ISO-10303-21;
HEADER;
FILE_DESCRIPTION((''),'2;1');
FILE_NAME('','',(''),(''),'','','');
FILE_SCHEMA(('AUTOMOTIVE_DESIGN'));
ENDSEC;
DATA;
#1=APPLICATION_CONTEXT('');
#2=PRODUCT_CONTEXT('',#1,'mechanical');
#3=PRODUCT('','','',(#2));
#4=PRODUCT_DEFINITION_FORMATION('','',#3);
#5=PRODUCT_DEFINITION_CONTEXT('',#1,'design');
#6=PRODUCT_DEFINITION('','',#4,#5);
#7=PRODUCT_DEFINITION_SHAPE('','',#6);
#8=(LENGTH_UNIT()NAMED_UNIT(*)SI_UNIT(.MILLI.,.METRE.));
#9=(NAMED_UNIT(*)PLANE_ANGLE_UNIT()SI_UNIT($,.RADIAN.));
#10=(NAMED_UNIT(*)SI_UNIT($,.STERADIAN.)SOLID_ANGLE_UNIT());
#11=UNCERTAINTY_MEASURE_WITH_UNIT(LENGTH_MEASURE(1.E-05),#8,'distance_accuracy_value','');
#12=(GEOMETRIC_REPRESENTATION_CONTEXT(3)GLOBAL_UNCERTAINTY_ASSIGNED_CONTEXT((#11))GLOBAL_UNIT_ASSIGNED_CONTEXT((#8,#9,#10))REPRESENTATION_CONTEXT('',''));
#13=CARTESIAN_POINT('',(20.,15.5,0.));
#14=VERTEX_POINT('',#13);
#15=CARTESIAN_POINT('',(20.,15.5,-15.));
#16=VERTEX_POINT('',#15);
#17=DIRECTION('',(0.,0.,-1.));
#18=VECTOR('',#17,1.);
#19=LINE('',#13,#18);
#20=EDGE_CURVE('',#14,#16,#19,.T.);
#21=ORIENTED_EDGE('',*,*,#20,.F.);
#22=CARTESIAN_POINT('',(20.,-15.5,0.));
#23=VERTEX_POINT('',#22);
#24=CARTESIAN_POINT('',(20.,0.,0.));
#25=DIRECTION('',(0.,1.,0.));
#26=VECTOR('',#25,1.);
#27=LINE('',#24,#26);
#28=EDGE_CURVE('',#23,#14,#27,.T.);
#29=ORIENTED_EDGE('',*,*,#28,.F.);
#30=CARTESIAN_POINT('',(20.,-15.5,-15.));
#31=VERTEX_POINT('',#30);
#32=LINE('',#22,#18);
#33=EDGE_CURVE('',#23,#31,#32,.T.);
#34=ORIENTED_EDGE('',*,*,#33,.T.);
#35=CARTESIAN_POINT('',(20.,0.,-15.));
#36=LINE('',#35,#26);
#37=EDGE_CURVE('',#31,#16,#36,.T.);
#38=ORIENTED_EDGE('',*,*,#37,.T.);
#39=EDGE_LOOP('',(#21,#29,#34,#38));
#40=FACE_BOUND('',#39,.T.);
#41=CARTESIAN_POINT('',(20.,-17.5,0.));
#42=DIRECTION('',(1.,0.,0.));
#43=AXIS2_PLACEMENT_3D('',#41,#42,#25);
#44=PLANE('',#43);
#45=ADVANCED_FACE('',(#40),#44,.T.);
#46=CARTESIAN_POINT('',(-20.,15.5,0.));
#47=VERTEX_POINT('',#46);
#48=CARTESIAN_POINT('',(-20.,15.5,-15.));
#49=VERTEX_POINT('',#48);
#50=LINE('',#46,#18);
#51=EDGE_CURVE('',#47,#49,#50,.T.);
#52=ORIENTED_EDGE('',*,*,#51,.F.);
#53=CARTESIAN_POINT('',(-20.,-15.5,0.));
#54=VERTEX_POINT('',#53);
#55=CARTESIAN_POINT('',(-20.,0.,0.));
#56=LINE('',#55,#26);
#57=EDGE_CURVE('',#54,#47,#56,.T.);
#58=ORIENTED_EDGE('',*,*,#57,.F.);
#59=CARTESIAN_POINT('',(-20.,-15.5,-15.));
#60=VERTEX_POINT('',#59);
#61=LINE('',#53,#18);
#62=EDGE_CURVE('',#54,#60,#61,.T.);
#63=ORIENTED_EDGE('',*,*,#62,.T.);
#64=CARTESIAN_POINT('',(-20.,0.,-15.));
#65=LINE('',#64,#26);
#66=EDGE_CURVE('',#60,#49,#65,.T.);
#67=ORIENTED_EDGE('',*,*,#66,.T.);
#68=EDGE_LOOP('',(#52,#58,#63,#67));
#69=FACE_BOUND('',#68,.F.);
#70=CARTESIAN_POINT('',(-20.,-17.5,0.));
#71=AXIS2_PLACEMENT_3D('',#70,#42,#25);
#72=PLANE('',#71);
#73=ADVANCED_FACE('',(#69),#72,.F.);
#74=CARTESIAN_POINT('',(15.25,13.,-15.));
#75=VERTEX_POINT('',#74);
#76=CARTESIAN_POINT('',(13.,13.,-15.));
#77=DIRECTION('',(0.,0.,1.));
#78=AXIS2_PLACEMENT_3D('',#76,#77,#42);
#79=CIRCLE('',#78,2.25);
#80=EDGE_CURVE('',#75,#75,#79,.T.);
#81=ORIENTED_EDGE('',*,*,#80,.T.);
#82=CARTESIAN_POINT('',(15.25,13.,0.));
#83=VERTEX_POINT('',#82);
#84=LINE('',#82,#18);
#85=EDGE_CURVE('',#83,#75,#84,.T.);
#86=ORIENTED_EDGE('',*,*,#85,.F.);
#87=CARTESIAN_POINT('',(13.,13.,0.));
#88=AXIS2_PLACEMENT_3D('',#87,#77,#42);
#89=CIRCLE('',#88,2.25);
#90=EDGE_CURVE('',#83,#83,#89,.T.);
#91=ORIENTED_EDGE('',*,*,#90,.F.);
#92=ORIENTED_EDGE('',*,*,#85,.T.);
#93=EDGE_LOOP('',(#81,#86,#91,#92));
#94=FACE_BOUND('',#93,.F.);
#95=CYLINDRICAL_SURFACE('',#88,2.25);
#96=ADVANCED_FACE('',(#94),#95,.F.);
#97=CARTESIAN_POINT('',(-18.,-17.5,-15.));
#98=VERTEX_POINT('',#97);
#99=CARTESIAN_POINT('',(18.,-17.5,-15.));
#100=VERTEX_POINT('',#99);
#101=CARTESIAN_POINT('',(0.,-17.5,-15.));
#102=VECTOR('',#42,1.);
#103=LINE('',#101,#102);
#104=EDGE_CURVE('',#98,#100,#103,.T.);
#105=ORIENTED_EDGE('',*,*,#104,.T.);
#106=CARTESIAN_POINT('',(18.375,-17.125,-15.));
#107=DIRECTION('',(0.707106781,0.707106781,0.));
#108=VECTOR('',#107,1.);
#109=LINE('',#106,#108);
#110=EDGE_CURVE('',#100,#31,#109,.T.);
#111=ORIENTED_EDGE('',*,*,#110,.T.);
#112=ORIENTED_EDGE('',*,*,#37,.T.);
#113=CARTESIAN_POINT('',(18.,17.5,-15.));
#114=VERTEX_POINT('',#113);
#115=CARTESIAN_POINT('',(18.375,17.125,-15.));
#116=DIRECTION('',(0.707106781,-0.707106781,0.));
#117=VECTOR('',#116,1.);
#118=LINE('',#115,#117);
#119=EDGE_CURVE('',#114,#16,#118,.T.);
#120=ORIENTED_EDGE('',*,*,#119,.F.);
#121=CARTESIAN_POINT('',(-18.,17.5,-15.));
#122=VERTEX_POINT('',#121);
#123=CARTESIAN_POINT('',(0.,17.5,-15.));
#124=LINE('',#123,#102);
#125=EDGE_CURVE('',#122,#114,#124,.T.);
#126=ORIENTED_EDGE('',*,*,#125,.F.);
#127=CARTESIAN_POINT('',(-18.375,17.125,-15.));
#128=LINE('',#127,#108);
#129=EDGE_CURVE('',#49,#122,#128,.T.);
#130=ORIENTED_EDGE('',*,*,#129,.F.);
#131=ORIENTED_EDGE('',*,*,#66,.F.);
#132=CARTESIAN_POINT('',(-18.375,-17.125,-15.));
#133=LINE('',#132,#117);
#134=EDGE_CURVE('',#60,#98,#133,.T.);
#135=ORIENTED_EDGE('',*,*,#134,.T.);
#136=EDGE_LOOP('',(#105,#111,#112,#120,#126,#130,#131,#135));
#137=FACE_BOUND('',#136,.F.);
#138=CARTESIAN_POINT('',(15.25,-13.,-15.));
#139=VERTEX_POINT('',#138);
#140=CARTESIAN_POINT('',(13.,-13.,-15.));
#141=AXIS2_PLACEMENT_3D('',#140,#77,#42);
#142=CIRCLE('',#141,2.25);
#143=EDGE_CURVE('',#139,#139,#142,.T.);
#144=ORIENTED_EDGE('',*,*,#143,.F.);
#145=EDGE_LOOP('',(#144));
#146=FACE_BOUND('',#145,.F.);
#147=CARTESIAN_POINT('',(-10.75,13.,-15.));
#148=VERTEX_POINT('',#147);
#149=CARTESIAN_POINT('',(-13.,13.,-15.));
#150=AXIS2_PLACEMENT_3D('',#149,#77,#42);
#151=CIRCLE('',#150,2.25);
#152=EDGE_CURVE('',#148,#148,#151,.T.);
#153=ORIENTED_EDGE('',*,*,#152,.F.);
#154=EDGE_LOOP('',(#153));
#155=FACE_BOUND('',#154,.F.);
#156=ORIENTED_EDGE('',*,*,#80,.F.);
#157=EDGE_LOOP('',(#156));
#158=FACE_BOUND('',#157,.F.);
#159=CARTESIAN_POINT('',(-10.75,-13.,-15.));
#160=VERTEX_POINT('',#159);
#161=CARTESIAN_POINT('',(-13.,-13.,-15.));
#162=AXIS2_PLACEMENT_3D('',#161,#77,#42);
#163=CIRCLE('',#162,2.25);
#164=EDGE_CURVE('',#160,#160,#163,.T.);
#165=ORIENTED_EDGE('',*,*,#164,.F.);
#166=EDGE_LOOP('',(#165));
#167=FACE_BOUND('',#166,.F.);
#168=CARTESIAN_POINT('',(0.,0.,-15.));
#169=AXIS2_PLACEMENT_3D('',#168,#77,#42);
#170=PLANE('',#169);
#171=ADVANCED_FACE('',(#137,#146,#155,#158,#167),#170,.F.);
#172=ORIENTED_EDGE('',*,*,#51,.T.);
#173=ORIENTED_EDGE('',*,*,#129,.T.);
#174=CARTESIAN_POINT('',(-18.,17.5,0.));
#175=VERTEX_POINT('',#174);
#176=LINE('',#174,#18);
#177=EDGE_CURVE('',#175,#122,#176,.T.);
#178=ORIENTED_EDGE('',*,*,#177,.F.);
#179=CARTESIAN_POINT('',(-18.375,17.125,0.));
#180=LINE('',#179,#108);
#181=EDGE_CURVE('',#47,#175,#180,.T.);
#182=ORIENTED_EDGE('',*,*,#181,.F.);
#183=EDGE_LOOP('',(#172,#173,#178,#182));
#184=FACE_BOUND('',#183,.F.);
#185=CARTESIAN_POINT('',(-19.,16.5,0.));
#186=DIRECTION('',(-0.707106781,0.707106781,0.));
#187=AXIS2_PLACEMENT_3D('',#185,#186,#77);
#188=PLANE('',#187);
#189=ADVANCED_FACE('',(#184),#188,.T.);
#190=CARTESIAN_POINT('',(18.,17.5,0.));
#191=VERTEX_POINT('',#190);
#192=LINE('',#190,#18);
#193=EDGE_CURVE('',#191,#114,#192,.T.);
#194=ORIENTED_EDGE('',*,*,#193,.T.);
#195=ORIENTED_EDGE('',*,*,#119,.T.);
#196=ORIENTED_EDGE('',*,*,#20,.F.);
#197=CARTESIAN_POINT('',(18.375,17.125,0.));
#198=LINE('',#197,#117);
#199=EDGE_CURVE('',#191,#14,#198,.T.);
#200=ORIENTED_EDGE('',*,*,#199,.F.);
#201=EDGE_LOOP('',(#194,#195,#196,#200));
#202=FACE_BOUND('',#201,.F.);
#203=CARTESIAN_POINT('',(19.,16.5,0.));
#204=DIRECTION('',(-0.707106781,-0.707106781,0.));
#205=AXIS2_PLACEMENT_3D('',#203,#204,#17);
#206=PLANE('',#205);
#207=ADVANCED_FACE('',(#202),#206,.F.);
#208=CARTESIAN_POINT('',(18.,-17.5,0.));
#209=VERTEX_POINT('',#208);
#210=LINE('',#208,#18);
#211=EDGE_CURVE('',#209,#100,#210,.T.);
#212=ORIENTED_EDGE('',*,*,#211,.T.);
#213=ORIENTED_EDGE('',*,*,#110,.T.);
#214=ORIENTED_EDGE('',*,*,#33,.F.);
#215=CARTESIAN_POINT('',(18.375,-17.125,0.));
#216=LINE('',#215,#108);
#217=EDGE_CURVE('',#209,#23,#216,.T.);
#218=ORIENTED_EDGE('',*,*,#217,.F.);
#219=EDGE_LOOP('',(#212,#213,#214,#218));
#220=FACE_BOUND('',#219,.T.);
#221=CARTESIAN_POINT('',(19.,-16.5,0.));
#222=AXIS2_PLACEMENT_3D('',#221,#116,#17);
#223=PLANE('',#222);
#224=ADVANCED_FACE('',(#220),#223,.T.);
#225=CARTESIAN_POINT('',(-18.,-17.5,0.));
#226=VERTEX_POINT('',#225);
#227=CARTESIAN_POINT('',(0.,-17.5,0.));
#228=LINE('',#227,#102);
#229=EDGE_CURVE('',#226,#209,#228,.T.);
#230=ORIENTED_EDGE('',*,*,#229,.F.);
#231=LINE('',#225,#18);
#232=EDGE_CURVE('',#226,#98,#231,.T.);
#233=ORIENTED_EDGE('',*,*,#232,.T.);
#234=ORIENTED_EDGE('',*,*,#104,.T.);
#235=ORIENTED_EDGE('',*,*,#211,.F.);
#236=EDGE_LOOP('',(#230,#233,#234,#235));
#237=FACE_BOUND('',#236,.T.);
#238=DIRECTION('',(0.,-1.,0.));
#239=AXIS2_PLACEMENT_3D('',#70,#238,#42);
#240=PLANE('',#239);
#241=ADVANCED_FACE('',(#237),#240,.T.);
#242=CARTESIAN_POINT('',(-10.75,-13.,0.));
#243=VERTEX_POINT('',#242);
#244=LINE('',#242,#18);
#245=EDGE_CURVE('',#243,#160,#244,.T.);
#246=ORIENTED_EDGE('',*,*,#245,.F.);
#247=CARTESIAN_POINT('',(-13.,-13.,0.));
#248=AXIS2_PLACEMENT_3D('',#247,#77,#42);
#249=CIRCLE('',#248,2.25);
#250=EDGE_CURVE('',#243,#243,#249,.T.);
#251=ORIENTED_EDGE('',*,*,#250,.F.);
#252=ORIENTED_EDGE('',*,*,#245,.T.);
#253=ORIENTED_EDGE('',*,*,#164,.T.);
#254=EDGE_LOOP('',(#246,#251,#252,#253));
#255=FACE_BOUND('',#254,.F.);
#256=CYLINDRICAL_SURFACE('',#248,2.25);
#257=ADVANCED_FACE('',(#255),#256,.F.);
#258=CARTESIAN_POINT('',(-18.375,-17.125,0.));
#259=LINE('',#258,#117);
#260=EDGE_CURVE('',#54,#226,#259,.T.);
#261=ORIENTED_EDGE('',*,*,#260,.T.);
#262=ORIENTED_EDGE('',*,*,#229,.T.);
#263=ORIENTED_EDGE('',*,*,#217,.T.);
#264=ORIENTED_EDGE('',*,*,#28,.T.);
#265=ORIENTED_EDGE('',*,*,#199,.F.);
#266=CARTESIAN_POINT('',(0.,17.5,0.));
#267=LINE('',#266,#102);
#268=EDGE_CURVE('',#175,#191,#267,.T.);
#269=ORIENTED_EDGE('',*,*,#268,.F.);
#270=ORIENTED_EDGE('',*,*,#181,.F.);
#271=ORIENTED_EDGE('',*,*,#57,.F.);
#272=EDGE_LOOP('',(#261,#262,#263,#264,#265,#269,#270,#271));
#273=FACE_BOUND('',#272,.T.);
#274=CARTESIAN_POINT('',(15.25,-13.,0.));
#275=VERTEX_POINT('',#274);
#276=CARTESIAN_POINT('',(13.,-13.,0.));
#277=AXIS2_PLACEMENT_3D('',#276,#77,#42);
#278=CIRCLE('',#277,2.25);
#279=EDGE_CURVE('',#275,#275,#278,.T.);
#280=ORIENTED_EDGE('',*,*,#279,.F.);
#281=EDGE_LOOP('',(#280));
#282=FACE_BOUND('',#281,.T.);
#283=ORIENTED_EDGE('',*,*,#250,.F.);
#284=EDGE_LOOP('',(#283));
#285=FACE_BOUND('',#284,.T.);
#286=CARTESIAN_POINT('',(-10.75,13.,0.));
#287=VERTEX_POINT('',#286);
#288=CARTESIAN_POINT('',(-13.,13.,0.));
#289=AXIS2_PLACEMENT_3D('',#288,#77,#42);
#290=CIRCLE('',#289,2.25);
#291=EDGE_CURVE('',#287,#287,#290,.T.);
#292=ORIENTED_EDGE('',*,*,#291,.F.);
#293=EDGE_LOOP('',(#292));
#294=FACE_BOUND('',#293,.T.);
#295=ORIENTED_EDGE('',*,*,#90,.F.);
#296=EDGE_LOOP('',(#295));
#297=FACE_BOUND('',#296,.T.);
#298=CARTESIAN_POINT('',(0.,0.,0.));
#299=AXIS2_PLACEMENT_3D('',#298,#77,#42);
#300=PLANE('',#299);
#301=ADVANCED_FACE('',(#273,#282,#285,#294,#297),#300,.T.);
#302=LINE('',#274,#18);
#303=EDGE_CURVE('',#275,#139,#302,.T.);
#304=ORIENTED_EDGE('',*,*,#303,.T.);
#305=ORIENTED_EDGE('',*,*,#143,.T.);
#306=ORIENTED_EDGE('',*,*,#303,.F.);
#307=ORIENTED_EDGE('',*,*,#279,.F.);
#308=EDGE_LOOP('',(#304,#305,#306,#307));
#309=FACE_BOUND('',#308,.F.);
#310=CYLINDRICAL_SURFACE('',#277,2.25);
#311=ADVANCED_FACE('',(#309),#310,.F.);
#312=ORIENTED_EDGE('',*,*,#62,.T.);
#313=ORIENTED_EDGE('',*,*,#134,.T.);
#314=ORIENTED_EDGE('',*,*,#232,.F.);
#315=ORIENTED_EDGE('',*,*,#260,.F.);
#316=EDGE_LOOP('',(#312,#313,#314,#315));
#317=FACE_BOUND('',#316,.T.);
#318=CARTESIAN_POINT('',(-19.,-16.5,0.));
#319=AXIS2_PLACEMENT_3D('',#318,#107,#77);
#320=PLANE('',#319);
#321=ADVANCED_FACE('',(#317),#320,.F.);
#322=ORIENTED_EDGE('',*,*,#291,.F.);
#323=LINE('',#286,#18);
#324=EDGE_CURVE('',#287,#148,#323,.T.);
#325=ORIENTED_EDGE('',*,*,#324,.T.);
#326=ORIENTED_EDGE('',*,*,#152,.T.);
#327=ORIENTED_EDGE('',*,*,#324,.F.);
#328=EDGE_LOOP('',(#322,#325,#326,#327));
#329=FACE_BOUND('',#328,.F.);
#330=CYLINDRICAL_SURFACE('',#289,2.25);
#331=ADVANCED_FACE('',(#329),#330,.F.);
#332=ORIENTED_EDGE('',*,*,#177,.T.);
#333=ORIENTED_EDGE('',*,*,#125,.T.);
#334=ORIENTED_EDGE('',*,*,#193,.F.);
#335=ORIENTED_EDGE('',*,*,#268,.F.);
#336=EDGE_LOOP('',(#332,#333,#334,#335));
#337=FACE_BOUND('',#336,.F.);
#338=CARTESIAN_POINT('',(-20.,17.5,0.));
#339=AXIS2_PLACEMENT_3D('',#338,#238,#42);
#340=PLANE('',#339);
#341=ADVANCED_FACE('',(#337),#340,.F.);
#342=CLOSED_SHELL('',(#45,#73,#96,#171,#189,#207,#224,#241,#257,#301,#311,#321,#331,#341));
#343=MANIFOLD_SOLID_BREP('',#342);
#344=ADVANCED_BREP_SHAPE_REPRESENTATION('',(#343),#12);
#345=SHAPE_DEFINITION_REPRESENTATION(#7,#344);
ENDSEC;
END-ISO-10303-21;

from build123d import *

# Parameters (mm, degrees)
SKETCH_W     = 40
SKETCH_H     = 35
PAD_DEPTH    = 15
SKETCH001_R  = 2.25
HOLE_DEPTH   = 25
CHAMFER_SIZE = 2


with BuildPart() as part:
    # Sketch → Pad (new body)
    with BuildSketch(Plane.XY):
        Rectangle(SKETCH_W, SKETCH_H)
    extrude(amount=-PAD_DEPTH)

    # Sketch001 → Hole (cut)
    with BuildSketch(Plane.XY):
        with Locations((-13, 13)):
            Circle(SKETCH001_R)
        with Locations((13, 13)):
            Circle(SKETCH001_R)
        with Locations((13, -13)):
            Circle(SKETCH001_R)
        with Locations((-13, -13)):
            Circle(SKETCH001_R)
    extrude(amount=-HOLE_DEPTH, mode=Mode.SUBTRACT)

    # Chamfer
    chamfer_edges = [part.edges().sort_by_distance(p)[0] for p in [
        (-20, -17.5, -7.5),
        (20, -17.5, -7.5),
        (-20, 17.5, -7.5),
        (20, 17.5, -7.5),
    ]]
    chamfer(chamfer_edges, length=CHAMFER_SIZE)


solid = part.part
